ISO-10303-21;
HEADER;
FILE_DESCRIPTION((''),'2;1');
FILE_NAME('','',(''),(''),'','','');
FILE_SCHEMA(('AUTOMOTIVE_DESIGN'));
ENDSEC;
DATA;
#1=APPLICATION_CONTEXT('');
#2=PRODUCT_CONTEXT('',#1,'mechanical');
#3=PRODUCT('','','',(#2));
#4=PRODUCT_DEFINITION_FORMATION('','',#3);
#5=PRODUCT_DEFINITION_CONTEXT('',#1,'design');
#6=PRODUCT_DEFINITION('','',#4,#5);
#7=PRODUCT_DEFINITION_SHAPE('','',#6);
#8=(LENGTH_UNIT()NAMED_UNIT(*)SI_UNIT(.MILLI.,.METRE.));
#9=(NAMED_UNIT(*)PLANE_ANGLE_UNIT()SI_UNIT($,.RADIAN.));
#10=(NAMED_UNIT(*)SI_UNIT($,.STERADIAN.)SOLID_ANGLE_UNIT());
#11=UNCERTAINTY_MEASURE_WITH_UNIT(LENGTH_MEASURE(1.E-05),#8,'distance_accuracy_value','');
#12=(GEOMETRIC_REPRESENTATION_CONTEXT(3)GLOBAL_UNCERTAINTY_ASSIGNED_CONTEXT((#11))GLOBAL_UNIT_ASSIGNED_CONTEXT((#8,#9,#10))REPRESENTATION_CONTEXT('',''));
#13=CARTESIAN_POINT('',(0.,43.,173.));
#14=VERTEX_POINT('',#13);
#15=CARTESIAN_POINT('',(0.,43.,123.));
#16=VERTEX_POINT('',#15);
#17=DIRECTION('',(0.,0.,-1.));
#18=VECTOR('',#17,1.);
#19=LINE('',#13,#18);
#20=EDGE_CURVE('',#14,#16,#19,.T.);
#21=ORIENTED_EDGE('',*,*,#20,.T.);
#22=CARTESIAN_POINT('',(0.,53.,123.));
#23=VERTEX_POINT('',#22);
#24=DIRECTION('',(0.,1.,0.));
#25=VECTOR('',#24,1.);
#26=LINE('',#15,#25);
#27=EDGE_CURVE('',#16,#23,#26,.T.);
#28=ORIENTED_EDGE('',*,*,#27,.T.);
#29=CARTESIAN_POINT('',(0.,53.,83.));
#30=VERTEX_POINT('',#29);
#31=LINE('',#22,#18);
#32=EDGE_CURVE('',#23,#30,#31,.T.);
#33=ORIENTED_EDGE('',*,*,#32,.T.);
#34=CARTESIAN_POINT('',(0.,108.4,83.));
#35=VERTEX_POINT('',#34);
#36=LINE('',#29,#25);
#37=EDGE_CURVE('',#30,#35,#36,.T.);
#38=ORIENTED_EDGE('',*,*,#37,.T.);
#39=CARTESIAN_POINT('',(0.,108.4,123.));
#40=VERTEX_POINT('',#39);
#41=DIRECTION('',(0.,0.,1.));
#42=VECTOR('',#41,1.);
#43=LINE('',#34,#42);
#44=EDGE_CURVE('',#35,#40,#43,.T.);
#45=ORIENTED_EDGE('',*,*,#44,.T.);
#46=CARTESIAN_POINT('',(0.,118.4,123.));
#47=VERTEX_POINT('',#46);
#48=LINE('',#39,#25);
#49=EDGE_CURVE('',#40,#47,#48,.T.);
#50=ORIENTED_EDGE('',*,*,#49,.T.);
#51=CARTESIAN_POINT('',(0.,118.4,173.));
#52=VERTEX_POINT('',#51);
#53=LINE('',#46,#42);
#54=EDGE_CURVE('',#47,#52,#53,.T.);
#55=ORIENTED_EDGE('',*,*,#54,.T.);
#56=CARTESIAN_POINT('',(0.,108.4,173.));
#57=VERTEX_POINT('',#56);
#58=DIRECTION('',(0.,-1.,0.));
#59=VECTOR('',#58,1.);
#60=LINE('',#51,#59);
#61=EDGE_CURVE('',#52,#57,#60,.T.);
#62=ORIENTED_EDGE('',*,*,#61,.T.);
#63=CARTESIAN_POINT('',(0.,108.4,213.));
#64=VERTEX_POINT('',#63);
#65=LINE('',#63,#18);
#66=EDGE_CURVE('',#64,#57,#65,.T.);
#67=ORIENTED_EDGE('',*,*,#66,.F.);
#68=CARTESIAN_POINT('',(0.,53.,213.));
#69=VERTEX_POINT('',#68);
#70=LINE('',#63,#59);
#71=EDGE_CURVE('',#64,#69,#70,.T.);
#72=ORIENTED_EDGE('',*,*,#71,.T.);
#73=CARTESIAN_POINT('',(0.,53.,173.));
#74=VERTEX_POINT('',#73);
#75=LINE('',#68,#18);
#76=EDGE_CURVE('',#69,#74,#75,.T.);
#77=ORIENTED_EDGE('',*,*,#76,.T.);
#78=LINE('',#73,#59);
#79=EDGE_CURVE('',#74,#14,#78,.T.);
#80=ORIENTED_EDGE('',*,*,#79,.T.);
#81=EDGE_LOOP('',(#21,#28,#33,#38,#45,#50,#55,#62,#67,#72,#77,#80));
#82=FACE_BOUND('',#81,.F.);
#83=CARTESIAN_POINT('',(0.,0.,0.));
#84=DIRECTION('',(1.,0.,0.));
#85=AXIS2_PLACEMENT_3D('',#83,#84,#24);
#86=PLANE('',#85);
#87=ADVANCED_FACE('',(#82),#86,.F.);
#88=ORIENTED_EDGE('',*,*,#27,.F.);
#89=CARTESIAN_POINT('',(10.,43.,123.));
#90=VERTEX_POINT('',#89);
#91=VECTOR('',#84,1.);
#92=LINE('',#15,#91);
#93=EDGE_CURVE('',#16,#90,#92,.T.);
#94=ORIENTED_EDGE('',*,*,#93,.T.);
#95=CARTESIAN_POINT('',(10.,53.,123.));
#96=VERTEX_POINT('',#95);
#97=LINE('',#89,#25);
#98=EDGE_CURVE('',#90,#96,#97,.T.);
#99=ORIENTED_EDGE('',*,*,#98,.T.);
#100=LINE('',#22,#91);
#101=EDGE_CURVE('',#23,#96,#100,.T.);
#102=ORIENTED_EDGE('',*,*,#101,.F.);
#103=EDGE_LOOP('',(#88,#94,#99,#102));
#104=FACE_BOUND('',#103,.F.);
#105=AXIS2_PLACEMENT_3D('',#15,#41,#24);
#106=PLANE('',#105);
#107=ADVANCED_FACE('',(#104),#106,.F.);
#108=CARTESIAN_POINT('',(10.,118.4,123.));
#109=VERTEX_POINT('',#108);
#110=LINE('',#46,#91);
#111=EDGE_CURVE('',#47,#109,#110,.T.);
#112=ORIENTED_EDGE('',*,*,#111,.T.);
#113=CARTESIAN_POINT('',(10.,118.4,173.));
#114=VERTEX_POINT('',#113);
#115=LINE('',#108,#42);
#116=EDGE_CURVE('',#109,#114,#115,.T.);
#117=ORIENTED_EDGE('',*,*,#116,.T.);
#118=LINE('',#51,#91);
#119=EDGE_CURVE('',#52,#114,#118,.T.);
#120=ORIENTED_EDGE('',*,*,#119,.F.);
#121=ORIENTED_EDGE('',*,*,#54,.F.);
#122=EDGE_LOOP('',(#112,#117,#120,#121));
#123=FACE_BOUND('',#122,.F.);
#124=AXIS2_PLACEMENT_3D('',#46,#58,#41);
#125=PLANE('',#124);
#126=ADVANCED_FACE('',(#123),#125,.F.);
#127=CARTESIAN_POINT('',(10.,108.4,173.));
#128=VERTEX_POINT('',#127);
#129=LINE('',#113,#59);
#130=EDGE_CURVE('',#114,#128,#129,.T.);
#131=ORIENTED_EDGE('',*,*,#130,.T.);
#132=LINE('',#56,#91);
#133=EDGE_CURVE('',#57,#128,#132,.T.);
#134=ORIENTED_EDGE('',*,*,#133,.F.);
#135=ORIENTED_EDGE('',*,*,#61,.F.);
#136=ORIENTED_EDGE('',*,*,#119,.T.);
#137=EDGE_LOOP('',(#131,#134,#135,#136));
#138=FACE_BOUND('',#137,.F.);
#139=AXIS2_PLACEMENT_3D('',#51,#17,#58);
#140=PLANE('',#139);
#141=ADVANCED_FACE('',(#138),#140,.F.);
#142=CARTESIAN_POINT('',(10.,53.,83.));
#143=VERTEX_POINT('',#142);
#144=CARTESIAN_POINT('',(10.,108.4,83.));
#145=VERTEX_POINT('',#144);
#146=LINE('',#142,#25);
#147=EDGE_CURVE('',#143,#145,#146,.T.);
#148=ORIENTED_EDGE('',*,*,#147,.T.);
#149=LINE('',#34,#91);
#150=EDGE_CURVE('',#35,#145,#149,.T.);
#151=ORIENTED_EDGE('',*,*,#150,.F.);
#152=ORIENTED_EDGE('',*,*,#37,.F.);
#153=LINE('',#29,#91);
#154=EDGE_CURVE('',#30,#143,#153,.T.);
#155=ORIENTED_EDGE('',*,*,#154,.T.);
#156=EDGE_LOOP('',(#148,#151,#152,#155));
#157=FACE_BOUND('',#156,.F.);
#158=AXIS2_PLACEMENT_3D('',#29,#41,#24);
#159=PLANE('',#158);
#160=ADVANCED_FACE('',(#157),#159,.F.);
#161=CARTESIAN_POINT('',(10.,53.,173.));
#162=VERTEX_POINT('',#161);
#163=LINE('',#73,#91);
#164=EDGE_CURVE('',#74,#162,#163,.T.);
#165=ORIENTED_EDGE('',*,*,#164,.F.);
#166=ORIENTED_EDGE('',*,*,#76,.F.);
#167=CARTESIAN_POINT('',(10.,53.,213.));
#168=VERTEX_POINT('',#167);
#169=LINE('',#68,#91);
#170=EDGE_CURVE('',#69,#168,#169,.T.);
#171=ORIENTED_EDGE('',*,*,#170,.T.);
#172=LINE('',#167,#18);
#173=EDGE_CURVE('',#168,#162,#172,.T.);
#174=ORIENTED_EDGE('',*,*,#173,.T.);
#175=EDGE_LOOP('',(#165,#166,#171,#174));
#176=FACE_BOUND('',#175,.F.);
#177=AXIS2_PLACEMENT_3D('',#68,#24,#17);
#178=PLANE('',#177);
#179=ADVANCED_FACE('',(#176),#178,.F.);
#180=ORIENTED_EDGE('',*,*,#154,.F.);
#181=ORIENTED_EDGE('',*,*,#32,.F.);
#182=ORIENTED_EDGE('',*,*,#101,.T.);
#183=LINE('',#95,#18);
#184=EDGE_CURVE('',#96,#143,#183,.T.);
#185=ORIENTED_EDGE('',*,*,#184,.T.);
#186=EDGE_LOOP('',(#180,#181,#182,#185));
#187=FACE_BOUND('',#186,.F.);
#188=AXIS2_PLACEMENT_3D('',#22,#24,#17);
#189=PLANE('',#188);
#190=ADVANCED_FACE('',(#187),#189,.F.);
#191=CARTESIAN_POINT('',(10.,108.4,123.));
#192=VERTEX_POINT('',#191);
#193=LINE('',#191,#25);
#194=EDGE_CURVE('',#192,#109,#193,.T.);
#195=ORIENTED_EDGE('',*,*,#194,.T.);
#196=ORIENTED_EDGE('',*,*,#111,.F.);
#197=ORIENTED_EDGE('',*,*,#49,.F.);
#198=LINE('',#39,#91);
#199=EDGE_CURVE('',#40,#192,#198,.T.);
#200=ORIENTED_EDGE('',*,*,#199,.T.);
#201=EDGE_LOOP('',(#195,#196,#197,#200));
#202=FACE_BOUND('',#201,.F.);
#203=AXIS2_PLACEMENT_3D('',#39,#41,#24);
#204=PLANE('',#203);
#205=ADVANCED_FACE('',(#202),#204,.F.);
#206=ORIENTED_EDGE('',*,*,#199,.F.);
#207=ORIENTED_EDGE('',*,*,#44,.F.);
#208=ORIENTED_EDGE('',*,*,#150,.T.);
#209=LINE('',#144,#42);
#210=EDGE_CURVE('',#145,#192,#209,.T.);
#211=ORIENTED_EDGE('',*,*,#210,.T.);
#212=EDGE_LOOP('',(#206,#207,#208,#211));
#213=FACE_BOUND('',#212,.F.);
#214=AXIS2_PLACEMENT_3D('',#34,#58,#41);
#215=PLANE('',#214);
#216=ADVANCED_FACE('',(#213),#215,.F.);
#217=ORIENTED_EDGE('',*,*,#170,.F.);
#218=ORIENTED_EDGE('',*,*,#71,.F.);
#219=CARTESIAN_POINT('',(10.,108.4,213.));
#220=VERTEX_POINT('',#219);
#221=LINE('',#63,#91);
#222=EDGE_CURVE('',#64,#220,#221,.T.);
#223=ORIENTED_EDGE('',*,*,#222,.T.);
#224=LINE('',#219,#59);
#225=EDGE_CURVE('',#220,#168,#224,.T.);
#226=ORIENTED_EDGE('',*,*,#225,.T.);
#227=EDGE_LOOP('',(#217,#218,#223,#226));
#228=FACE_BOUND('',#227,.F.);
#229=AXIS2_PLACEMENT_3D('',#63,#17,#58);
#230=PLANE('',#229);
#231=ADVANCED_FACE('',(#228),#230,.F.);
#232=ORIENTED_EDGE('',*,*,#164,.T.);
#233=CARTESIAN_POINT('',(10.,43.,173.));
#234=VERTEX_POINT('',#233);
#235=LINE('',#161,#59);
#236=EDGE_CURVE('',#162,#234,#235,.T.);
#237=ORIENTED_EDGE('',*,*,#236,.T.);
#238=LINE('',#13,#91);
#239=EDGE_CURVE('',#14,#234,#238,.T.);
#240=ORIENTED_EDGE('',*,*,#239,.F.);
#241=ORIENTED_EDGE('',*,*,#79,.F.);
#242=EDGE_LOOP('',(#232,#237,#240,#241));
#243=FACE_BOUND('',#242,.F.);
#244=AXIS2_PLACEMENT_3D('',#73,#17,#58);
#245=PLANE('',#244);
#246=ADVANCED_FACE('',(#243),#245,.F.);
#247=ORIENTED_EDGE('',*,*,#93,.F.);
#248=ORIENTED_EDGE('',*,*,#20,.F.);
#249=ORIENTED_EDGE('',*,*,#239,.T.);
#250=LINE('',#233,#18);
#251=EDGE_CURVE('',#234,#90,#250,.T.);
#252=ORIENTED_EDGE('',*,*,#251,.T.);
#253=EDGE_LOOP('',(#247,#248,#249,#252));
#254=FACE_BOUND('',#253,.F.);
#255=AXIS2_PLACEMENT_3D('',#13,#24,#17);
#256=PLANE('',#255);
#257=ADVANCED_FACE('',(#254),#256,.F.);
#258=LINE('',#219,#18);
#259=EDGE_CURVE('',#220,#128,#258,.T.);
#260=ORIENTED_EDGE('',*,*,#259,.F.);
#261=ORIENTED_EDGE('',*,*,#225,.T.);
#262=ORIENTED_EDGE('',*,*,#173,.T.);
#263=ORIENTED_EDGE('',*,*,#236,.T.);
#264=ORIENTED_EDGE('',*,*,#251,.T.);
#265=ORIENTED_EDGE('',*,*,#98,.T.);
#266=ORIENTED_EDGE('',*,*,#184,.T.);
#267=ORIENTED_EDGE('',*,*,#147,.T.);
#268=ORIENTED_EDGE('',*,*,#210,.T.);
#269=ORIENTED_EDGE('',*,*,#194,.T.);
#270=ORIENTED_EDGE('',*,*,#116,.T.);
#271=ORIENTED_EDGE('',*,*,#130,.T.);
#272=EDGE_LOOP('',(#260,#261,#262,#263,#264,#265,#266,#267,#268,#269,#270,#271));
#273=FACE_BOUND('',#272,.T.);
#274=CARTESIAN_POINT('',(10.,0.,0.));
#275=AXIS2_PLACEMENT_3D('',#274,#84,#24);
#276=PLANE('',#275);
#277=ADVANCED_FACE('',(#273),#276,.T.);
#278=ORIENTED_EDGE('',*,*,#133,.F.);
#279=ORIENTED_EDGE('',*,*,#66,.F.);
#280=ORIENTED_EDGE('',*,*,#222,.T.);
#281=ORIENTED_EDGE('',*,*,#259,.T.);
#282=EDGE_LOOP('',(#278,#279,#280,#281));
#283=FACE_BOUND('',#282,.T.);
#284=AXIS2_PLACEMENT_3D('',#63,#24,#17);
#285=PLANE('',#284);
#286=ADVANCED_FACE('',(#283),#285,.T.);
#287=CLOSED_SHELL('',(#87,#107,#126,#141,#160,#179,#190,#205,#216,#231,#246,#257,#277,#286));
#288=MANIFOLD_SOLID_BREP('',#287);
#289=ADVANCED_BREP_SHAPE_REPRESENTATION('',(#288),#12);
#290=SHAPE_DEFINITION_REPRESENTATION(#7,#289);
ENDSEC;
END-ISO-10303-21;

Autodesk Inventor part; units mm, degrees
ref_plane "YZ Plane" through (0, 0, 0) normal (1, 0, 0) x (0, 1, 0)
ref_plane "XZ Plane" through (0, 0, 0) normal (0, 1, 0) x (-1, 0, 0)
ref_plane "XY Plane" through (0, 0, 0) normal (0, 0, 1) x (1, 0, 0)
sketch "Sketch1" plane through (0, 0, 0) normal (1, 0, 0) x (0, 1, 0)
  line L0 (108.4, 213) -> (53, 213)
  line L1 (53, 213) -> (53, 173)
  line L2 (53, 173) -> (43, 173)
  line L3 (43, 173) -> (43, 123)
  line L4 (43, 123) -> (53, 123)
  line L5 (53, 123) -> (53, 83)
  line L6 (53, 83) -> (108.4, 83)
  line L7 (108.4, 83) -> (108.4, 123)
  line L8 (108.4, 123) -> (118.4, 123)
  line L9 (118.4, 123) -> (118.4, 173)
  line L10 (118.4, 173) -> (108.4, 173)
  line L11 (108.4, 213) -> (108.4, 173)
  line L12 (43, 148) -> (118.4, 148) construction
  point P0 (0, 0)
  dimension "d0" = 10
  dimension "d1" = 10
  dimension "d2" = 50
  dimension "d3" = 55.4
  dimension "d4" = 130
extrude "Extrusion1" add sketch "Sketch1" along normal blind 10
equation "\"d0\" = Width"
equation "\"d1\" = Width"
equation "\"d5\" = Width"
equation "\"Width\" = 10"
properties part number "FrontWall" material "ABS Plastic"
